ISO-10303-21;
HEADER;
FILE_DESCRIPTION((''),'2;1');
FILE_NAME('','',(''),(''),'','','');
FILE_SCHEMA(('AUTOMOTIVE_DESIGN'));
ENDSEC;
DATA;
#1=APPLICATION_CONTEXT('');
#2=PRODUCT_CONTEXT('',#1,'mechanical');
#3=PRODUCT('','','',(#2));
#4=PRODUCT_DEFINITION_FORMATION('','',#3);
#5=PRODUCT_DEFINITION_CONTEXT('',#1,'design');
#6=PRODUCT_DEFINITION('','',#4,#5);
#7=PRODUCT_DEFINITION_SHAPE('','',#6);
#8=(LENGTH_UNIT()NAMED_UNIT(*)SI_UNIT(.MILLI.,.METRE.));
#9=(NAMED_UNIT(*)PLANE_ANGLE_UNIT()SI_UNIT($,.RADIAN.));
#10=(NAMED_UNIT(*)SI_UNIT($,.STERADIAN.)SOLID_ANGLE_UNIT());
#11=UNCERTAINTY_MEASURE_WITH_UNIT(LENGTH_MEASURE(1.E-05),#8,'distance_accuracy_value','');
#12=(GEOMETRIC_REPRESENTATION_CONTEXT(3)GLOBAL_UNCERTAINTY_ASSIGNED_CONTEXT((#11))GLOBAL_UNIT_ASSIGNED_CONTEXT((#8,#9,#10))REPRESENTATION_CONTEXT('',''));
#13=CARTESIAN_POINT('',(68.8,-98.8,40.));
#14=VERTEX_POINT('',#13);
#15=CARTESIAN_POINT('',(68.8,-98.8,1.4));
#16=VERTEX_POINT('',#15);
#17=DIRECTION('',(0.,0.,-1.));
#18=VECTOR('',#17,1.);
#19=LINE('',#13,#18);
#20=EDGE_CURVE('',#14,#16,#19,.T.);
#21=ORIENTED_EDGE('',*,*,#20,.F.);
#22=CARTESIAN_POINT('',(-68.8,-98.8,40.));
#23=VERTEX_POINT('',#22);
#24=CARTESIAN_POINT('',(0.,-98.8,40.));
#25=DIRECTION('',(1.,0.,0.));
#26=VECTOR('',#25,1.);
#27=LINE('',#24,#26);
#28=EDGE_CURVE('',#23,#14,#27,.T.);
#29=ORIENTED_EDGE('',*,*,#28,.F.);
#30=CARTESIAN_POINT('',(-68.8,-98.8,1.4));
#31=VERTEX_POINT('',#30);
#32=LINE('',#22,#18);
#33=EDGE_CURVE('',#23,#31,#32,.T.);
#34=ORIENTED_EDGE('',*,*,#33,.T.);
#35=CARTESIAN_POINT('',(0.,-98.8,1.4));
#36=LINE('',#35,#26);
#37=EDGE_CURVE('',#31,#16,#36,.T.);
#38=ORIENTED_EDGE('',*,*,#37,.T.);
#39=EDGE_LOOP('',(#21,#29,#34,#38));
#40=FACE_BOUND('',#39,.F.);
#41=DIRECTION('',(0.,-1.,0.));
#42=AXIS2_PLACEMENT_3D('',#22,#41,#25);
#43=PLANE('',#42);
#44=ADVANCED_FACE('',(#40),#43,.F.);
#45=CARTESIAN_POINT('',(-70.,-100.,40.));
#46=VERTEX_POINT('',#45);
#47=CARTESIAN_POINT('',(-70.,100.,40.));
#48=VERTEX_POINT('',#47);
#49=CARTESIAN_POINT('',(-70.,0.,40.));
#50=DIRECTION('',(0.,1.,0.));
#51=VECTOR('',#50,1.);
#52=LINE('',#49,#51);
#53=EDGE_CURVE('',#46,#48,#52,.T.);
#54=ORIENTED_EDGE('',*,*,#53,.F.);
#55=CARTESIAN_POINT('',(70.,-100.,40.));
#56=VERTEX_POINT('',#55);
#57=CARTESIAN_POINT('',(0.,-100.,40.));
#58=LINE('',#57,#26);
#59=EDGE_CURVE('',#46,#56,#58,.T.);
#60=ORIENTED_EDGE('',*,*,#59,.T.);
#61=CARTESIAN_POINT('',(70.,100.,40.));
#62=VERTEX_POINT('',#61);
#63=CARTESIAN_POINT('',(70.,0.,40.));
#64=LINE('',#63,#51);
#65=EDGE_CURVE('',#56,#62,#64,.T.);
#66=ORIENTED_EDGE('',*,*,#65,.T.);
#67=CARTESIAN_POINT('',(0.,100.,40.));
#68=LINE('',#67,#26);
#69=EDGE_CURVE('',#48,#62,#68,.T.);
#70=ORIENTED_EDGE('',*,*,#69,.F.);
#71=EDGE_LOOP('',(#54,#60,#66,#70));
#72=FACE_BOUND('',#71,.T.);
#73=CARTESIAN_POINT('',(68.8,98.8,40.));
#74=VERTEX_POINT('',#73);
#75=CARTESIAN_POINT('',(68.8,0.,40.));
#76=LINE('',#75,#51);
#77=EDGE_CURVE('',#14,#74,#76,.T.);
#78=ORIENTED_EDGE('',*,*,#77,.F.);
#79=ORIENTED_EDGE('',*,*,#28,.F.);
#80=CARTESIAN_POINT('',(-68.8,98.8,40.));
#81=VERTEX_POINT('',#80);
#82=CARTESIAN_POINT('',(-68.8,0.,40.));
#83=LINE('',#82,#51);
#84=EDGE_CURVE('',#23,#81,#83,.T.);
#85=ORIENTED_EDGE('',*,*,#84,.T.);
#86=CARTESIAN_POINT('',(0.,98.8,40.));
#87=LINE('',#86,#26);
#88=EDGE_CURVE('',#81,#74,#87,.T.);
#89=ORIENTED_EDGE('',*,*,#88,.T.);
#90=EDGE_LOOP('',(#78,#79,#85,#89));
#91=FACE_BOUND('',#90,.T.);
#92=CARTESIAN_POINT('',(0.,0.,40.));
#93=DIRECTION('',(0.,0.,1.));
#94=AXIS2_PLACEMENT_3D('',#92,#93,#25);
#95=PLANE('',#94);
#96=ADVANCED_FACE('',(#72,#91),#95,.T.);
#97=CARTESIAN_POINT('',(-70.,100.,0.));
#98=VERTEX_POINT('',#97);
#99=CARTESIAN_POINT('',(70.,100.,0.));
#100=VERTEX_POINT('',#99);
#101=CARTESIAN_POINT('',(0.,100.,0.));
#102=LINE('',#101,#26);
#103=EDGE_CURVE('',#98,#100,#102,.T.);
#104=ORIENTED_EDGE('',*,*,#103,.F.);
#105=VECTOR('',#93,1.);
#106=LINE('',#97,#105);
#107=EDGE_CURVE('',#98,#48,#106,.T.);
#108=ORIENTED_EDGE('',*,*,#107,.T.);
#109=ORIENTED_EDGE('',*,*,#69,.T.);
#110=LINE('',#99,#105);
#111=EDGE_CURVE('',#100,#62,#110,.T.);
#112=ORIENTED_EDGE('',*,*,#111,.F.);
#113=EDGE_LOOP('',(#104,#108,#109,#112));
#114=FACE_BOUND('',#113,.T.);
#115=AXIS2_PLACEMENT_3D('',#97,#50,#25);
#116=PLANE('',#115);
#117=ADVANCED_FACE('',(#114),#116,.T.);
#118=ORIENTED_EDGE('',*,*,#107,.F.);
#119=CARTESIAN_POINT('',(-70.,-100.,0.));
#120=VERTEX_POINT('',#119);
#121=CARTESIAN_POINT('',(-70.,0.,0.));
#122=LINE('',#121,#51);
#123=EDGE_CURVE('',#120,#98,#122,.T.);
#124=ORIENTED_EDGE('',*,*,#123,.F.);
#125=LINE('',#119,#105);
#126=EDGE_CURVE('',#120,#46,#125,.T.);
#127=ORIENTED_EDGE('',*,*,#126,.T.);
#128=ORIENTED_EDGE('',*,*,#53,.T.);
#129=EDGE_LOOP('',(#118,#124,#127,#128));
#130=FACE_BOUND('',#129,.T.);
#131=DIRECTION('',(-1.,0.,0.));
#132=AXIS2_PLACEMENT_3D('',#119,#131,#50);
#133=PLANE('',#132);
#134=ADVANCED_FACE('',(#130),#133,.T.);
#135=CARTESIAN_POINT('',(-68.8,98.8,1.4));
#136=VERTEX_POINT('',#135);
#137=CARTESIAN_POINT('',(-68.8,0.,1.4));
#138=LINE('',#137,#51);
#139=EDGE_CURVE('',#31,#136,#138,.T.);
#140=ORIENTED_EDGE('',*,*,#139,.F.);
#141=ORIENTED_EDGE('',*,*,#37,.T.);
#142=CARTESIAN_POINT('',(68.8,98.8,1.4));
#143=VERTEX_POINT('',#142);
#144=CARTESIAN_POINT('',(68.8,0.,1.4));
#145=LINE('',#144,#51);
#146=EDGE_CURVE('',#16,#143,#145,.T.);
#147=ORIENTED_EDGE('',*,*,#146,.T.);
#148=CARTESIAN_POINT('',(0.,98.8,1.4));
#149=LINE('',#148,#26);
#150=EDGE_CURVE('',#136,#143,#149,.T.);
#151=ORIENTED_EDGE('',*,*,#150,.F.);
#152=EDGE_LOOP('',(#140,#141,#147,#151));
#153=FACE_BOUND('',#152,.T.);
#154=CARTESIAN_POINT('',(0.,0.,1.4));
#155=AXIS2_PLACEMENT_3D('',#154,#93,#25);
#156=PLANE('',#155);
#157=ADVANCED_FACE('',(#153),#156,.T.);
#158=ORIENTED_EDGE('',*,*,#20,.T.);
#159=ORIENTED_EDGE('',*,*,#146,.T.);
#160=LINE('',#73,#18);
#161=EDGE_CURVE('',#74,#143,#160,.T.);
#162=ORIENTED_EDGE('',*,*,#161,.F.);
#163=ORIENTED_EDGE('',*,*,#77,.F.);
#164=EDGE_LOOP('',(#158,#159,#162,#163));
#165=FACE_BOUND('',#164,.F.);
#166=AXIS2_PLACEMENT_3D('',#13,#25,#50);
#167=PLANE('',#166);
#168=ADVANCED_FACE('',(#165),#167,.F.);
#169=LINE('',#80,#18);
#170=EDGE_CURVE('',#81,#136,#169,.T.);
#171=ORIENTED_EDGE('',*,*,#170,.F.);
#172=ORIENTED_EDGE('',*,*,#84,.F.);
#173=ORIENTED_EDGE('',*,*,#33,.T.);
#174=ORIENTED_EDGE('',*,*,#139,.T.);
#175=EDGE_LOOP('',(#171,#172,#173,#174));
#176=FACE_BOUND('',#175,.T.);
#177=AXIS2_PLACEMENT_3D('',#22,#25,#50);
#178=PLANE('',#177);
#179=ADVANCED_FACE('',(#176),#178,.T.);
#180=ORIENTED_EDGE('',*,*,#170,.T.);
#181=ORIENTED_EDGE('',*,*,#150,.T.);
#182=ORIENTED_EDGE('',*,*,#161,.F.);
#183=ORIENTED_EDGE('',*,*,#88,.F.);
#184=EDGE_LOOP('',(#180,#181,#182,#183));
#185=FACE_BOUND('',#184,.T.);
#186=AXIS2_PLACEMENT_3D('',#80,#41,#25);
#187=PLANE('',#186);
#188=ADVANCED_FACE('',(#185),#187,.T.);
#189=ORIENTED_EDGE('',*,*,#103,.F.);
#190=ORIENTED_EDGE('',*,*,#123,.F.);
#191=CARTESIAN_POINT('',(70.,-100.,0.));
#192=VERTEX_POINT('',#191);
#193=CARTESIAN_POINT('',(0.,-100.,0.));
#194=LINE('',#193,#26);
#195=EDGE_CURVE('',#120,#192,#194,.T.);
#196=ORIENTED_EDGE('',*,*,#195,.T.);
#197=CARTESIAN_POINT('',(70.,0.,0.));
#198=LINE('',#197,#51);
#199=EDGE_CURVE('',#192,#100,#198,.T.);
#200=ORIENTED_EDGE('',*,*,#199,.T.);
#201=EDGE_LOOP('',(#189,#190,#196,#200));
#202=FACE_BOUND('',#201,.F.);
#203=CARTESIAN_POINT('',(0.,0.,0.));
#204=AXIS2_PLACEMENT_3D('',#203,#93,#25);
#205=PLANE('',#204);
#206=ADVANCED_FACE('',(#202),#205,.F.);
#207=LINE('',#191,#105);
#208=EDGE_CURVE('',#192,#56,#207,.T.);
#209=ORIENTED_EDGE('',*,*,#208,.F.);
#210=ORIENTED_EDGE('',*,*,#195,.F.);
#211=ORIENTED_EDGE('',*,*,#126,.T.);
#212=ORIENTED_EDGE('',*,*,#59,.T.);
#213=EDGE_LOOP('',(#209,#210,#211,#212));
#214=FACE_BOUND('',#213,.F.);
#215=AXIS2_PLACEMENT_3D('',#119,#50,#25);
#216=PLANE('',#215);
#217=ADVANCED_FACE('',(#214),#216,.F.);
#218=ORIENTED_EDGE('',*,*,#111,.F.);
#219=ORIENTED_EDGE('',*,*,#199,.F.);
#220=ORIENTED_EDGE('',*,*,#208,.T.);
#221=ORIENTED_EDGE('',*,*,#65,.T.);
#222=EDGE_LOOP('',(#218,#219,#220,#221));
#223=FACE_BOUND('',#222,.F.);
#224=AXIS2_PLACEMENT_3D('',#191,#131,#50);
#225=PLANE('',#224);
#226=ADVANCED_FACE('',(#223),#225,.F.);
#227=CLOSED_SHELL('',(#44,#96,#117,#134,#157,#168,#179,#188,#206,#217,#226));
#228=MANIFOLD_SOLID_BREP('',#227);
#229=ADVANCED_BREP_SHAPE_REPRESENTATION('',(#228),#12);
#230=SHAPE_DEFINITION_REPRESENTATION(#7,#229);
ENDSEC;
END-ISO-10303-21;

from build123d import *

# Parameters (mm, degrees)
SKETCH_W     = 140
SKETCH_H     = 200
PAD_DEPTH    = 40
SKETCH001_W  = 137.6
SKETCH001_H  = 197.6
POCKET_DEPTH = 38.6


with BuildPart() as part:
    # Sketch → Pad (new body)
    with BuildSketch(Plane.XY):
        Rectangle(SKETCH_W, SKETCH_H)
    extrude(amount=PAD_DEPTH)

    # Sketch001 (on DatumPlane) → Pocket (cut)
    with BuildSketch(Plane.XY.offset(40)):
        Rectangle(SKETCH001_W, SKETCH001_H)
    extrude(amount=-POCKET_DEPTH, mode=Mode.SUBTRACT)


solid = part.part
